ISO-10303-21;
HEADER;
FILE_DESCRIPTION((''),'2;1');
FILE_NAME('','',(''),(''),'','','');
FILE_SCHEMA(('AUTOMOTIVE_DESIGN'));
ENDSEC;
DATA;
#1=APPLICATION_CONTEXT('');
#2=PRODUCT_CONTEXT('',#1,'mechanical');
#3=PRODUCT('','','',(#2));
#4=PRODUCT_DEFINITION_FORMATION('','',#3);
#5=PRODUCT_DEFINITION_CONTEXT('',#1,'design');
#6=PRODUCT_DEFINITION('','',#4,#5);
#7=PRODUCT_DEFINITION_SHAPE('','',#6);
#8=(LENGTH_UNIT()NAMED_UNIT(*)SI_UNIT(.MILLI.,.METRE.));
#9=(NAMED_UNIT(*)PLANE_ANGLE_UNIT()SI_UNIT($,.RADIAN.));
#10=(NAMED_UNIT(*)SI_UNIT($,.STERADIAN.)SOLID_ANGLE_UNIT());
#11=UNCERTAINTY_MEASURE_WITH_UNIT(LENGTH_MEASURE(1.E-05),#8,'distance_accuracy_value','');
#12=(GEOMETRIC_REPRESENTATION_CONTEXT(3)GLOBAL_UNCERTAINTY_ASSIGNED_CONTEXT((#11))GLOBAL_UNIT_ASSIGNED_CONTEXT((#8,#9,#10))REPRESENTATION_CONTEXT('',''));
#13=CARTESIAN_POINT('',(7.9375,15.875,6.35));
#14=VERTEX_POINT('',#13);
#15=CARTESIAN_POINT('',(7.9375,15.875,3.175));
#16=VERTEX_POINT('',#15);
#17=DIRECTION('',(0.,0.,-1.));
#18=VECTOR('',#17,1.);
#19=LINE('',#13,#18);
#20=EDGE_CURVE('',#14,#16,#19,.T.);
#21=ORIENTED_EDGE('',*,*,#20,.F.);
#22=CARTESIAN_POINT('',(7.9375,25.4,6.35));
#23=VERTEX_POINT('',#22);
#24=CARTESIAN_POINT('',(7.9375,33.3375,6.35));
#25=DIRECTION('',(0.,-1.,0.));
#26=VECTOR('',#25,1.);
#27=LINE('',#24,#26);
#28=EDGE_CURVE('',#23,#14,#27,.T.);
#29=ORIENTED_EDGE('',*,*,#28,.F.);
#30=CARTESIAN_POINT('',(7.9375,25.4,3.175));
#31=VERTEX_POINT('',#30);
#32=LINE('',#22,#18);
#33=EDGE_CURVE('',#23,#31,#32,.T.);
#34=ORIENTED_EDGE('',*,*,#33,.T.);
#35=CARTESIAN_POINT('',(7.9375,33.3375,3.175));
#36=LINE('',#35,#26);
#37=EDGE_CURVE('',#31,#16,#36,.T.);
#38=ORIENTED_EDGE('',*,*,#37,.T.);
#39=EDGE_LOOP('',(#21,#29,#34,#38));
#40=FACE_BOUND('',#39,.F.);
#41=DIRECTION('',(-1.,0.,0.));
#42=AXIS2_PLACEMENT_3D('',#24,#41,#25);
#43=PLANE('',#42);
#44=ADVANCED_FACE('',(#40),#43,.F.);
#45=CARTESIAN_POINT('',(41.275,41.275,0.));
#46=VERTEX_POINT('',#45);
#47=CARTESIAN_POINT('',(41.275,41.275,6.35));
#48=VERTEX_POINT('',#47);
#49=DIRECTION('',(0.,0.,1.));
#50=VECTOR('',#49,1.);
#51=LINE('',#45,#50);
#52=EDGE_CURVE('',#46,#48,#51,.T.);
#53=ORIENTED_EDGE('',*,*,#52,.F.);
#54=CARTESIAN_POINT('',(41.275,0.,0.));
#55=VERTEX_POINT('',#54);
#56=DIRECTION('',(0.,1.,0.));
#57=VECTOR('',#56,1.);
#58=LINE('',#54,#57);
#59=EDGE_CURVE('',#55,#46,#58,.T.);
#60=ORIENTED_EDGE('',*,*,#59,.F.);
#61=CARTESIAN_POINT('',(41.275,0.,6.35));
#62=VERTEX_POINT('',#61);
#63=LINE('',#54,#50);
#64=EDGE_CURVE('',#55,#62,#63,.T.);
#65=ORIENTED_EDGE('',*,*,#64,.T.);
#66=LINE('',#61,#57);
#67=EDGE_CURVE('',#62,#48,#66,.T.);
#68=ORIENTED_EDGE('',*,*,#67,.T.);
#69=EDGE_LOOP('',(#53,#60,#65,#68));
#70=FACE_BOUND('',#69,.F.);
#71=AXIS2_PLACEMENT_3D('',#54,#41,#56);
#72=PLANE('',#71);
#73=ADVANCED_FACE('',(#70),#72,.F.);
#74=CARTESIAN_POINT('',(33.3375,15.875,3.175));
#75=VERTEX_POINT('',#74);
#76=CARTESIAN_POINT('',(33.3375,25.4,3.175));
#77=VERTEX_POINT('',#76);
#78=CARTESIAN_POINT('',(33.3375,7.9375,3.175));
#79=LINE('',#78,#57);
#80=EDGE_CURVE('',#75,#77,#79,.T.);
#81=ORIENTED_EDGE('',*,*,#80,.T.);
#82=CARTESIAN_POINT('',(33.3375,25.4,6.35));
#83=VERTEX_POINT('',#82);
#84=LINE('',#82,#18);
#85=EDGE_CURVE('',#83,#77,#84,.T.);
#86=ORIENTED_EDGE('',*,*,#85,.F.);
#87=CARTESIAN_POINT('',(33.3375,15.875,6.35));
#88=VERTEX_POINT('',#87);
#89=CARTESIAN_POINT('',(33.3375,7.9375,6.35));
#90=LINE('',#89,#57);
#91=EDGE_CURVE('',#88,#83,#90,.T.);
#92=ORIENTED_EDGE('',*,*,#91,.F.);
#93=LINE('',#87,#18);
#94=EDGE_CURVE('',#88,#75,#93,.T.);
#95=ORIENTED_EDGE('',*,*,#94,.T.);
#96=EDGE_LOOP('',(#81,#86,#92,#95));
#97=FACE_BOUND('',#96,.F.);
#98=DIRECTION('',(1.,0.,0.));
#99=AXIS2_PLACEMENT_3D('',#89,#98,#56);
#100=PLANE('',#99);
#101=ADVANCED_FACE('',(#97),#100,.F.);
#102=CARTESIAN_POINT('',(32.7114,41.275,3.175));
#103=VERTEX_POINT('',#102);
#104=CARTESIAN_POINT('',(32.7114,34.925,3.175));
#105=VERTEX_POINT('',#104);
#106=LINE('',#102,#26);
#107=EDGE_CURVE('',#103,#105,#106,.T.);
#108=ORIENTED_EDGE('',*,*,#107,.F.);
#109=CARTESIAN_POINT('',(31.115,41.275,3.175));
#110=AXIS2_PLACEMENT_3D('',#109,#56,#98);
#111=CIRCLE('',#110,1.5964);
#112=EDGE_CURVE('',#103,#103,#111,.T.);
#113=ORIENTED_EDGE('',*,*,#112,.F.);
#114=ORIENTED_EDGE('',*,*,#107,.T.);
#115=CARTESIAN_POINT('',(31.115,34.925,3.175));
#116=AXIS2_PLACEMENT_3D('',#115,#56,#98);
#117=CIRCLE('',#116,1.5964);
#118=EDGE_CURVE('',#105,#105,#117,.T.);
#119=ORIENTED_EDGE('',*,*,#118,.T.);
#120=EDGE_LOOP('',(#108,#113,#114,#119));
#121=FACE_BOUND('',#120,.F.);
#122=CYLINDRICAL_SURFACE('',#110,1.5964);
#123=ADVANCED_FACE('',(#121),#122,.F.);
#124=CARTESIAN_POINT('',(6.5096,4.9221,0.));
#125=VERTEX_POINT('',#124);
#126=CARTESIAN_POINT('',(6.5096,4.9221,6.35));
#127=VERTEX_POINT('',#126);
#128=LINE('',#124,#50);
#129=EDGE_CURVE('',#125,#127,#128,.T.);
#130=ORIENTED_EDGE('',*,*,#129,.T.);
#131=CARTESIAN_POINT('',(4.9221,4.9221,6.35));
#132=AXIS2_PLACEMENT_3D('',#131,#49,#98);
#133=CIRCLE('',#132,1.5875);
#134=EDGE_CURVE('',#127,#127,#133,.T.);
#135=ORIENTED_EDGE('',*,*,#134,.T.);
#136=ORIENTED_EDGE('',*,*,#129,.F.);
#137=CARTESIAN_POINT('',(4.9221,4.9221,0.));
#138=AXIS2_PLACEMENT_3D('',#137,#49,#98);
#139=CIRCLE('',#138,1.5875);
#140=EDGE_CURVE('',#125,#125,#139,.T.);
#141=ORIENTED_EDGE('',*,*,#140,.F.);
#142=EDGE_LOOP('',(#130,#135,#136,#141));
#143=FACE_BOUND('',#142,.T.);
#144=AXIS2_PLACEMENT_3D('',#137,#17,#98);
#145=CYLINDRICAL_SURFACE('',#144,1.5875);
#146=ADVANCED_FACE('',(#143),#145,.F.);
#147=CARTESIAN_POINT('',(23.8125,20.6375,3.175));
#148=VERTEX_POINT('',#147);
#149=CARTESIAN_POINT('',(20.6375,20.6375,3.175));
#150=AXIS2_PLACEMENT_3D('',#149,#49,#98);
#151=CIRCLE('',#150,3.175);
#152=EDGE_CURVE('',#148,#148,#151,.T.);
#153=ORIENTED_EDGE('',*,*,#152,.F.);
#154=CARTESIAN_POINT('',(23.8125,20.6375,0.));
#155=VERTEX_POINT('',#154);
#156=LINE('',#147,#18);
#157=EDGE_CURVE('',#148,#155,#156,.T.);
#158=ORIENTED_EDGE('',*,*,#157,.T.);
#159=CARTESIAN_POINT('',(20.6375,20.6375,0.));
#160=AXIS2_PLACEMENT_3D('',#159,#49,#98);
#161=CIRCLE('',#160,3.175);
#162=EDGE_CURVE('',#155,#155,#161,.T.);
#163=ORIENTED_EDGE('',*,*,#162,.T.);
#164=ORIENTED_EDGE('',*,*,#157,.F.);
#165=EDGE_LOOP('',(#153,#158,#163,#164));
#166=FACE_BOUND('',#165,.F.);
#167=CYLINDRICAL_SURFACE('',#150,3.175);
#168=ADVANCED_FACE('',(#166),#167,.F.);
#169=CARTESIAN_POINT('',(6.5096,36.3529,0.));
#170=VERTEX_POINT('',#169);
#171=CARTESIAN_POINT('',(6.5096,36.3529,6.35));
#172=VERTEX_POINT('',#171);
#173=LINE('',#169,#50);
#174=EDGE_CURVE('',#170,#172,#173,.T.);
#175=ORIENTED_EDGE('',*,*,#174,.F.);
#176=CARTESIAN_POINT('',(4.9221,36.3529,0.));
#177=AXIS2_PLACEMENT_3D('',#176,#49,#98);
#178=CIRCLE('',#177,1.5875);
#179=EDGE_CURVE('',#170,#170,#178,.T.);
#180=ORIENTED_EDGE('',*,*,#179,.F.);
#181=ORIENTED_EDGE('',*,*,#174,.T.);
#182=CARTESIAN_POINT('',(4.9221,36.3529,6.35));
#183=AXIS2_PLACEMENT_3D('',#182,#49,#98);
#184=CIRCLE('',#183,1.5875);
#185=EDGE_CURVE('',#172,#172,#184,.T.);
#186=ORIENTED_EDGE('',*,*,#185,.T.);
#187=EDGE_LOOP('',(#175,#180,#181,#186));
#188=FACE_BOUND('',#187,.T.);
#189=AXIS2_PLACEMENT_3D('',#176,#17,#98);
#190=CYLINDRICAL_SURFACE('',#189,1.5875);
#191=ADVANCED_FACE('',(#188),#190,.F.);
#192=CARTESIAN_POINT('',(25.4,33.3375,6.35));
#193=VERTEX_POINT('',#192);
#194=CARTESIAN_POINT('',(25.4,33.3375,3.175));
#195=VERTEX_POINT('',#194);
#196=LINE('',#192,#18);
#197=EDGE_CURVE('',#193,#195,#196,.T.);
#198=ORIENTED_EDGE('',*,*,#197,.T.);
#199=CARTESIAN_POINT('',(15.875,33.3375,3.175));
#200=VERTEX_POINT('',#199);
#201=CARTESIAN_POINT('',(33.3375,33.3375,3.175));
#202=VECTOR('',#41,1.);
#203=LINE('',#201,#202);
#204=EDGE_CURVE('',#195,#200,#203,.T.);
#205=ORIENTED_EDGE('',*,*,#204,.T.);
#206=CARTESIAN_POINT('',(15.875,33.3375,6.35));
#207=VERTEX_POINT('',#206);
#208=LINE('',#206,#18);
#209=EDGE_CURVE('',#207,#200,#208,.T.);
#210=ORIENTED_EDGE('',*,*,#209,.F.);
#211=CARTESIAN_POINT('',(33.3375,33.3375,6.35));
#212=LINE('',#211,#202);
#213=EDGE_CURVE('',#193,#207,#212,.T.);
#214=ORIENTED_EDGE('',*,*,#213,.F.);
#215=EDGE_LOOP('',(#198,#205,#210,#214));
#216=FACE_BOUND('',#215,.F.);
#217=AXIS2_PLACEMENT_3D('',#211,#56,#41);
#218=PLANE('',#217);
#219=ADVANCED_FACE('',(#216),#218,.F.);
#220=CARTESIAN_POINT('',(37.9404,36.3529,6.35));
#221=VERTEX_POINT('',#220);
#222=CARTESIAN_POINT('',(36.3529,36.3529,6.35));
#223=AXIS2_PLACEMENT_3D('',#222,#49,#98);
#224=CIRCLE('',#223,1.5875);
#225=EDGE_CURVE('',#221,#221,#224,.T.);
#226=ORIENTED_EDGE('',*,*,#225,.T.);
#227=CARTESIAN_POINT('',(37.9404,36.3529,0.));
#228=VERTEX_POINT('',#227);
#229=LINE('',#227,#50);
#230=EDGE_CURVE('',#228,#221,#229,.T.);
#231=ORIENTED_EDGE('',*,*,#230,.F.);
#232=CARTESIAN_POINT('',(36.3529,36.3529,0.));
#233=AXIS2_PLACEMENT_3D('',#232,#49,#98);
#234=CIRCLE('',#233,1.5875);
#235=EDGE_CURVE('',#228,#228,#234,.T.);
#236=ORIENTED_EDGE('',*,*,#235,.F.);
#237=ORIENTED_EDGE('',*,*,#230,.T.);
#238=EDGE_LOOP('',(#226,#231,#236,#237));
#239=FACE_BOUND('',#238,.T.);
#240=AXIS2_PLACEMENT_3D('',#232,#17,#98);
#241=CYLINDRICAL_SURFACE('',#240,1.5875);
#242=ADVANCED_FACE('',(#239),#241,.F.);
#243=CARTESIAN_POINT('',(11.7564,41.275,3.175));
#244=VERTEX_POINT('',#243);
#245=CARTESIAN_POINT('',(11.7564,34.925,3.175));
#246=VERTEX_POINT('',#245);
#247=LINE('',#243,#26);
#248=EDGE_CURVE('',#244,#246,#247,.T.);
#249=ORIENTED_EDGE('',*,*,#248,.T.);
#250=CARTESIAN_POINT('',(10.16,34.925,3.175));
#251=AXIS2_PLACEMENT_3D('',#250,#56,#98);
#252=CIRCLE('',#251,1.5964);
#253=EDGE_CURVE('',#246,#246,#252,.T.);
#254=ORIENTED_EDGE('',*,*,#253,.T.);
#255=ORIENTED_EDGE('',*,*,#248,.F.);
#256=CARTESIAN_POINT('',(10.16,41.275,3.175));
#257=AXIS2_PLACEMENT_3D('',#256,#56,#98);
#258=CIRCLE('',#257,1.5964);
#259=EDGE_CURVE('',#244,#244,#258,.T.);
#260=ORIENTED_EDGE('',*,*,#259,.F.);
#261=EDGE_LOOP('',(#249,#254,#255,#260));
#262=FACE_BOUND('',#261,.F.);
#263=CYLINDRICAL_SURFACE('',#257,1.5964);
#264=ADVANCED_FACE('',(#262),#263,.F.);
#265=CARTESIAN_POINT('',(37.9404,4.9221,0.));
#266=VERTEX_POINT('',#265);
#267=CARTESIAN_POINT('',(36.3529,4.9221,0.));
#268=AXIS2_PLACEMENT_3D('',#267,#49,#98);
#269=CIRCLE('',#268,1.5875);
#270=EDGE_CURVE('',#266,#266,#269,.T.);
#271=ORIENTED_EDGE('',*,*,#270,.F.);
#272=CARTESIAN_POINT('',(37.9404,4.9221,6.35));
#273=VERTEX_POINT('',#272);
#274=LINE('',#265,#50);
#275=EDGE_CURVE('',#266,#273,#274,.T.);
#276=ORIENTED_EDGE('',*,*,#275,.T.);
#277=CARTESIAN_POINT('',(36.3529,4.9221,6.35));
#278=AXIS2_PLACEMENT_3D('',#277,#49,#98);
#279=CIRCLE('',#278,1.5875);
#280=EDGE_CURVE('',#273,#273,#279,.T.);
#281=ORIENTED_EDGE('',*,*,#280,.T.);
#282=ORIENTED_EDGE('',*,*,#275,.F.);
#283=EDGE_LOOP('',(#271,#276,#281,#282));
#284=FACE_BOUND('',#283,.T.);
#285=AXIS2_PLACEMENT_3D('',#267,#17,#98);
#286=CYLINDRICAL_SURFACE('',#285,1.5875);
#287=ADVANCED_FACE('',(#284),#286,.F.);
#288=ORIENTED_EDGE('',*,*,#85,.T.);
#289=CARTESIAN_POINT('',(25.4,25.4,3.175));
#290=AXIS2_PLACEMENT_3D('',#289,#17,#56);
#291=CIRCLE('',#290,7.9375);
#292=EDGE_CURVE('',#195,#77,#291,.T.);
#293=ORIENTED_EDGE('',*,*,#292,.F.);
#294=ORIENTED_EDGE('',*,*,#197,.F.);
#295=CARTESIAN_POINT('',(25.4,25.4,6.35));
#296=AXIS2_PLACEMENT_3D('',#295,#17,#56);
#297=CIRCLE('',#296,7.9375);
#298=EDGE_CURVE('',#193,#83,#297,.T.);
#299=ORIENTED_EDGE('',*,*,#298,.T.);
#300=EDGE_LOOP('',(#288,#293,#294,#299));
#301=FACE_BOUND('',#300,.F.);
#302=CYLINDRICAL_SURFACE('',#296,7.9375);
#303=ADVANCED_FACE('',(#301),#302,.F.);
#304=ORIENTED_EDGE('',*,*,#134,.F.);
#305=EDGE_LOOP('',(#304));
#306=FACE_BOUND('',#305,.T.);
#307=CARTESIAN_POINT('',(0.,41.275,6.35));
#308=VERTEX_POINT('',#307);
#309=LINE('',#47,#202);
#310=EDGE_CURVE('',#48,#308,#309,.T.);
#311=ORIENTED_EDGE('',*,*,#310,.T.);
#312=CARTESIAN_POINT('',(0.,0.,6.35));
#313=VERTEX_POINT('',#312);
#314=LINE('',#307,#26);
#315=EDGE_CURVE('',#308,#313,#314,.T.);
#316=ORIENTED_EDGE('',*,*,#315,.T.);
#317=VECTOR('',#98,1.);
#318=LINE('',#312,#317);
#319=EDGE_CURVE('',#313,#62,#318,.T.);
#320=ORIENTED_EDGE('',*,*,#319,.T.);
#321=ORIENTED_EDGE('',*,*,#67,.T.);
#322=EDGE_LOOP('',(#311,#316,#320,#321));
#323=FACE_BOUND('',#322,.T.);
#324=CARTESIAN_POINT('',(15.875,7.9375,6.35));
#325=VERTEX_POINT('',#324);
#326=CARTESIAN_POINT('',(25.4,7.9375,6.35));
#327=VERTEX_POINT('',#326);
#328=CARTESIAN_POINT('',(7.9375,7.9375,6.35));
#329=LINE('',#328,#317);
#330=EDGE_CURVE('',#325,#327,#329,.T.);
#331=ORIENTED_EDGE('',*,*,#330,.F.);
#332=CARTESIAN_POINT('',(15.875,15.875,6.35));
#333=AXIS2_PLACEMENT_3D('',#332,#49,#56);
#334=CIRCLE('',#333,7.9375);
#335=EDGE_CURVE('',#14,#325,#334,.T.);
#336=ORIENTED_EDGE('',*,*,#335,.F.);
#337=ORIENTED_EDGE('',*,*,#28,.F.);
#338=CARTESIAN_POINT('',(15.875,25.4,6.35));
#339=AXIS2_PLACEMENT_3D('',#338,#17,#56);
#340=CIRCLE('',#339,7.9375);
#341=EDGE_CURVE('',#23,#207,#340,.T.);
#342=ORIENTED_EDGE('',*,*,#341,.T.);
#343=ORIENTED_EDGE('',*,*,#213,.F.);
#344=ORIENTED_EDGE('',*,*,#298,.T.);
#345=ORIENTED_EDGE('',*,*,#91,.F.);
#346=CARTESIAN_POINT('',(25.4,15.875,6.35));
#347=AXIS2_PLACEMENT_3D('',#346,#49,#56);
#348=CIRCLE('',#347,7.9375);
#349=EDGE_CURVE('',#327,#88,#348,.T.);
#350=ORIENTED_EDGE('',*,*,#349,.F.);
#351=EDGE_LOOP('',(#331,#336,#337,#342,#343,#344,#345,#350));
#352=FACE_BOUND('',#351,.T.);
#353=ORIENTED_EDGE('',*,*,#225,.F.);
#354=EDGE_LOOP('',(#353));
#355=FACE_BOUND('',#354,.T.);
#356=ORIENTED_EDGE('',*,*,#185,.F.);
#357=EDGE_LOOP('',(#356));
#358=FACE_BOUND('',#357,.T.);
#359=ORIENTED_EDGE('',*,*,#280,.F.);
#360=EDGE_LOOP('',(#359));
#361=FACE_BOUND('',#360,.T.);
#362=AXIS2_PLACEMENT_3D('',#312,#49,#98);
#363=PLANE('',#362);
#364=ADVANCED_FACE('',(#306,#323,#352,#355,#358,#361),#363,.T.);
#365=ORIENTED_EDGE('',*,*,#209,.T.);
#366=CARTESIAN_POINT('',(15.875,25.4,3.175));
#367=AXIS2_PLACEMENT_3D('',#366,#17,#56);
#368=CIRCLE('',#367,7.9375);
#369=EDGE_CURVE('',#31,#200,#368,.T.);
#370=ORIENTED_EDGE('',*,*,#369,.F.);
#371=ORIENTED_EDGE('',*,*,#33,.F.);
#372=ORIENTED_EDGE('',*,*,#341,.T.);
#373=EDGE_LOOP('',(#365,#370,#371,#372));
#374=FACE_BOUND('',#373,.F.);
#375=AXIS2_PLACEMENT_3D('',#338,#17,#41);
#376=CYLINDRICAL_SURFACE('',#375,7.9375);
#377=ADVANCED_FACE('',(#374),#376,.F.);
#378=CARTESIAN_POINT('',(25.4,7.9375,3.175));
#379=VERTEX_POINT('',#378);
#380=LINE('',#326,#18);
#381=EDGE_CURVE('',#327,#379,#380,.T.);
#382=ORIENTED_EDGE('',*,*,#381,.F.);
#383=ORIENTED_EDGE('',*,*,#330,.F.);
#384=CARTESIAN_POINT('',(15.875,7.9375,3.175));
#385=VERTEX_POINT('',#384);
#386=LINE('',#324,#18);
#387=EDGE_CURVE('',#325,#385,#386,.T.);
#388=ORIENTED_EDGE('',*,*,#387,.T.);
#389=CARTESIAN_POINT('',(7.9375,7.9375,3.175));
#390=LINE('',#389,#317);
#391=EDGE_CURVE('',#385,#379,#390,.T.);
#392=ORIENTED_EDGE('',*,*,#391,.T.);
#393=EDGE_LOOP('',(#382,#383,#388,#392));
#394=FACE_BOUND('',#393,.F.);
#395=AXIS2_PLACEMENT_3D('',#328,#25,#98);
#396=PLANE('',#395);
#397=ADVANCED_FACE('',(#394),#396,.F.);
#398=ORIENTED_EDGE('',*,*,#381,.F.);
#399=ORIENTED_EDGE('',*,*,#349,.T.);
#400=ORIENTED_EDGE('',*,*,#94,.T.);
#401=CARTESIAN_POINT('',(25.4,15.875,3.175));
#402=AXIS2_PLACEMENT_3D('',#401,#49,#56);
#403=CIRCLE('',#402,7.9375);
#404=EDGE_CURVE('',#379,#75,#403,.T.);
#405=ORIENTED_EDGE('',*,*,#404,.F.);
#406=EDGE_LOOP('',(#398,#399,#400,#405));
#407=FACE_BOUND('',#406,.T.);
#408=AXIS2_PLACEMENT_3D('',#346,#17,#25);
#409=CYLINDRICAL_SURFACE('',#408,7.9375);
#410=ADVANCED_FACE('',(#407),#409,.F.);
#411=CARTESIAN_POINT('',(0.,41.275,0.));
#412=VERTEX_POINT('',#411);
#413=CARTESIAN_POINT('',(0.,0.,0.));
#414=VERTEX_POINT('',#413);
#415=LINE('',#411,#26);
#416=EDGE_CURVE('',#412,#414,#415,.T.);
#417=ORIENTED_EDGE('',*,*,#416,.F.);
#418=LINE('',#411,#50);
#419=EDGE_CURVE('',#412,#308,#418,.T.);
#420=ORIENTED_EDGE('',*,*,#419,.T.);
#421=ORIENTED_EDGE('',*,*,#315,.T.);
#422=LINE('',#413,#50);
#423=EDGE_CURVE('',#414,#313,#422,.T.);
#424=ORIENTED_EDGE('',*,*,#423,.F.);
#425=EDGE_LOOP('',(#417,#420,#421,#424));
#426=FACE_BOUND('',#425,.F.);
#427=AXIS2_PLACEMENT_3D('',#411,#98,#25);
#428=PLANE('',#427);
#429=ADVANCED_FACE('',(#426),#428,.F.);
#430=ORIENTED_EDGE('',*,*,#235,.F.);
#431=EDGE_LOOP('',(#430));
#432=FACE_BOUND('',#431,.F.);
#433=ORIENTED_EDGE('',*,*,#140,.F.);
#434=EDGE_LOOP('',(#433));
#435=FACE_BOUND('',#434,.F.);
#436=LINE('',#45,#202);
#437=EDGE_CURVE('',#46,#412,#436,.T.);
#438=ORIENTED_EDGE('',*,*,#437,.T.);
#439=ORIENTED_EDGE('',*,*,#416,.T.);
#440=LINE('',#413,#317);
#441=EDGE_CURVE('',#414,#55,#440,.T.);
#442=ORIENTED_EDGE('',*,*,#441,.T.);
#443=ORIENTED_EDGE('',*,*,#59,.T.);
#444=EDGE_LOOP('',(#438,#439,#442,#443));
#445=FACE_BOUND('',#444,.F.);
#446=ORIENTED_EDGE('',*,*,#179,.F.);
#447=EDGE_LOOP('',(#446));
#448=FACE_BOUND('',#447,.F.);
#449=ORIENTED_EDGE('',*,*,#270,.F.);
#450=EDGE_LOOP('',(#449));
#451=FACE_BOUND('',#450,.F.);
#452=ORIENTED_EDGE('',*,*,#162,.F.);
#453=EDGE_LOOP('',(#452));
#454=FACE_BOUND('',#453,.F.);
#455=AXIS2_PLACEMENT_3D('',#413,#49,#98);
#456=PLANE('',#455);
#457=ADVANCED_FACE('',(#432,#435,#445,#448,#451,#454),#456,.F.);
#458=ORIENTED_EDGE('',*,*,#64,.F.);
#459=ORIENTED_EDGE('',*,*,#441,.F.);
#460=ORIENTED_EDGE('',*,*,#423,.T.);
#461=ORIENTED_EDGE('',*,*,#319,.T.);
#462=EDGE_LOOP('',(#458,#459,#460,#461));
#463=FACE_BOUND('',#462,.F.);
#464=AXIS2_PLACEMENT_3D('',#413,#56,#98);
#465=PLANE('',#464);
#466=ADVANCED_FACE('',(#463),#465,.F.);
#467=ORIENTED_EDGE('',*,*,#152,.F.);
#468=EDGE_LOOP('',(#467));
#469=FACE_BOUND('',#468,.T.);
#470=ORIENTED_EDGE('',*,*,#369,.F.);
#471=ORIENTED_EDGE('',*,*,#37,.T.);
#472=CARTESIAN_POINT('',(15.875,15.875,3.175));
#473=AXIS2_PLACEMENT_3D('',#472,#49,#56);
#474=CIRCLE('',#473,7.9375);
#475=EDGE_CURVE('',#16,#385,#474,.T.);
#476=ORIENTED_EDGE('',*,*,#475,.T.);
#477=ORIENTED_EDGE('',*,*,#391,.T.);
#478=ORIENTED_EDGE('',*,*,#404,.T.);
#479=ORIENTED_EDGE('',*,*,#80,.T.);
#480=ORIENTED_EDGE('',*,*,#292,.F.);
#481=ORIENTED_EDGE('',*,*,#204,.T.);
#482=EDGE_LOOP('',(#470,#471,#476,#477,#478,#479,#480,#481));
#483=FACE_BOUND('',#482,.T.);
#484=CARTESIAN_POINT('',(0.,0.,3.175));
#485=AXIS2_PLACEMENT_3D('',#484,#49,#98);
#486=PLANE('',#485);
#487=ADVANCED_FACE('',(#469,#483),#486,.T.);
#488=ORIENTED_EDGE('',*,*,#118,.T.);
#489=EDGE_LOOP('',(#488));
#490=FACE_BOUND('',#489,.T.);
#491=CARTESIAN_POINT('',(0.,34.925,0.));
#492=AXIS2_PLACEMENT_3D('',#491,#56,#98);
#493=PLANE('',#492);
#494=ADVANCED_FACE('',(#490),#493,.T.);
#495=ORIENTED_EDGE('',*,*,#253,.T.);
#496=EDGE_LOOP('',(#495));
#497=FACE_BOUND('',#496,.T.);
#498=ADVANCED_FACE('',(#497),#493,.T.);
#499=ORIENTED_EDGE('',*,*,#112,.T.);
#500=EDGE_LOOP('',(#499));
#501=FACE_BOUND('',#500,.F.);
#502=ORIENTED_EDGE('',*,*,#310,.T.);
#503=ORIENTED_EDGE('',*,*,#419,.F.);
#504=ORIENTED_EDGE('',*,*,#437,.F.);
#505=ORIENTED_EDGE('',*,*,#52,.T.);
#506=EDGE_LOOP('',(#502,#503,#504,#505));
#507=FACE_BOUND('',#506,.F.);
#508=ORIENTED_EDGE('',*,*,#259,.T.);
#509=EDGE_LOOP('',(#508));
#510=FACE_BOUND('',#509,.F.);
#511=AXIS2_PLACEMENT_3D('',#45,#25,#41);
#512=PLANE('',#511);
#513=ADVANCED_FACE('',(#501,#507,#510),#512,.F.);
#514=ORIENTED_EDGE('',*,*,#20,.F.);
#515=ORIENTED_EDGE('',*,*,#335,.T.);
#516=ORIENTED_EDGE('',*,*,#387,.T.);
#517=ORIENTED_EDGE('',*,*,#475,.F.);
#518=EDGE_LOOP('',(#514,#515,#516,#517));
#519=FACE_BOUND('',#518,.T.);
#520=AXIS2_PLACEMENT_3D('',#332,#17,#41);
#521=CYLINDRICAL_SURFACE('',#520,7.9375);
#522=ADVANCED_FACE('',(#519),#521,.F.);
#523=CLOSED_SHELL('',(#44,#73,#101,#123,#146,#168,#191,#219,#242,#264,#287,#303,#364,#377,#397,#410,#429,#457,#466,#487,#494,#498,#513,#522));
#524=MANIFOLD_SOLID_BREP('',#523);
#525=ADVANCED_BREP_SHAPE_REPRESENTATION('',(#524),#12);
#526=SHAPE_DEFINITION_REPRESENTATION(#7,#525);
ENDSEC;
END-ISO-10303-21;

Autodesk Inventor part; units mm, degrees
ref_plane "YZ Plane" through (0, 0, 0) normal (1, 0, 0) x (0, 1, 0)
ref_plane "XZ Plane" through (0, 0, 0) normal (0, 1, 0) x (-1, 0, 0)
ref_plane "XY Plane" through (0, 0, 0) normal (0, 0, 1) x (1, 0, 0)
sketch "Sketch1" plane through (0, 0, 0) normal (0, 0, 1) x (1, 0, 0)
  line L0 (0, 0) -> (41.275, 0)
  line L1 (41.275, 0) -> (41.275, 41.275)
  line L2 (41.275, 41.275) -> (0, 41.275)
  line L3 (0, 41.275) -> (0, 0)
  circle A0 centre (20.6375, 20.6375) radius 22.225 construction
  line L4 (0, 0) -> (41.275, 41.275) construction
  line L5 (0, 41.275) -> (41.275, 0) construction
  circle A1 centre (4.9221, 36.3529) radius 1.5875
  circle A2 centre (4.9221, 4.9221) radius 1.5875
  circle A3 centre (36.3529, 36.3529) radius 1.5875
  circle A4 centre (36.3529, 4.9221) radius 1.5875
  dimension "d0" = 41.275
  dimension "d2" = 41.275
  dimension "d3" = 44.45
  dimension "d4" = 3.175
  dimension "d5" = 3.175
  dimension "d6" = 3.175
  dimension "d7" = 3.175
  dimension "d8" = 20.6375
  dimension "d9" = 20.6375
extrude "Extrusion1" add sketch "Sketch1" along normal blind 6.35
sketch "Sketch2" plane through (0, 41.275, 0) normal (0, 1, 0) x (1, 0, 0)
  line L0 (41.275, 0) -> (0, 0) projected
  line L1 (0, 0) -> (0, -6.35) projected
  line L2 (41.275, 0) -> (41.275, -6.35) projected
  circle A0 centre (10.16, -3.175) radius 1.5964
  circle A1 centre (31.115, -3.175) radius 1.5964
  dimension "d12" = 3.1928
  dimension "d14" = 3.1928
  dimension "d15" = 10.16
  dimension "d17" = 10.16
  dimension "d18" = 3.175
  dimension "d19" = 3.175
extrude "Extrusion2" cut sketch "Sketch2" against normal blind 6.35
sketch "Sketch3" plane through (0, 0, 6.35) normal (0, 0, 1) x (1, 0, 0)
  line L0 (7.9375, 7.9375) -> (33.3375, 7.9375)
  line L1 (33.3375, 7.9375) -> (33.3375, 33.3375)
  line L2 (33.3375, 33.3375) -> (7.9375, 33.3375)
  line L3 (7.9375, 33.3375) -> (7.9375, 7.9375)
extrude "Extrusion3" cut sketch "Sketch3" against normal blind 3.175
fillet "Fillet1" radius 7.9375 1 edges at (7.9375, 33.3375, 4.7625)
fillet "Fillet2" radius 7.9375 3 edges at (7.9375, 7.9375, 4.7625) (33.3375, 7.9375, 4.7625) (33.3375, 33.3375, 4.7625)
sketch "Sketch4" plane through (0, 0, 3.175) normal (0, 0, 1) x (1, 0, 0)
  circle A0 centre (20.6375, 20.6375) radius 3.175
  point P0 (0, 0)
  dimension "d33" = 6.35
extrude "Extrusion4" cut sketch "Sketch4" against normal blind 25.4
properties part number "motor_mount"
